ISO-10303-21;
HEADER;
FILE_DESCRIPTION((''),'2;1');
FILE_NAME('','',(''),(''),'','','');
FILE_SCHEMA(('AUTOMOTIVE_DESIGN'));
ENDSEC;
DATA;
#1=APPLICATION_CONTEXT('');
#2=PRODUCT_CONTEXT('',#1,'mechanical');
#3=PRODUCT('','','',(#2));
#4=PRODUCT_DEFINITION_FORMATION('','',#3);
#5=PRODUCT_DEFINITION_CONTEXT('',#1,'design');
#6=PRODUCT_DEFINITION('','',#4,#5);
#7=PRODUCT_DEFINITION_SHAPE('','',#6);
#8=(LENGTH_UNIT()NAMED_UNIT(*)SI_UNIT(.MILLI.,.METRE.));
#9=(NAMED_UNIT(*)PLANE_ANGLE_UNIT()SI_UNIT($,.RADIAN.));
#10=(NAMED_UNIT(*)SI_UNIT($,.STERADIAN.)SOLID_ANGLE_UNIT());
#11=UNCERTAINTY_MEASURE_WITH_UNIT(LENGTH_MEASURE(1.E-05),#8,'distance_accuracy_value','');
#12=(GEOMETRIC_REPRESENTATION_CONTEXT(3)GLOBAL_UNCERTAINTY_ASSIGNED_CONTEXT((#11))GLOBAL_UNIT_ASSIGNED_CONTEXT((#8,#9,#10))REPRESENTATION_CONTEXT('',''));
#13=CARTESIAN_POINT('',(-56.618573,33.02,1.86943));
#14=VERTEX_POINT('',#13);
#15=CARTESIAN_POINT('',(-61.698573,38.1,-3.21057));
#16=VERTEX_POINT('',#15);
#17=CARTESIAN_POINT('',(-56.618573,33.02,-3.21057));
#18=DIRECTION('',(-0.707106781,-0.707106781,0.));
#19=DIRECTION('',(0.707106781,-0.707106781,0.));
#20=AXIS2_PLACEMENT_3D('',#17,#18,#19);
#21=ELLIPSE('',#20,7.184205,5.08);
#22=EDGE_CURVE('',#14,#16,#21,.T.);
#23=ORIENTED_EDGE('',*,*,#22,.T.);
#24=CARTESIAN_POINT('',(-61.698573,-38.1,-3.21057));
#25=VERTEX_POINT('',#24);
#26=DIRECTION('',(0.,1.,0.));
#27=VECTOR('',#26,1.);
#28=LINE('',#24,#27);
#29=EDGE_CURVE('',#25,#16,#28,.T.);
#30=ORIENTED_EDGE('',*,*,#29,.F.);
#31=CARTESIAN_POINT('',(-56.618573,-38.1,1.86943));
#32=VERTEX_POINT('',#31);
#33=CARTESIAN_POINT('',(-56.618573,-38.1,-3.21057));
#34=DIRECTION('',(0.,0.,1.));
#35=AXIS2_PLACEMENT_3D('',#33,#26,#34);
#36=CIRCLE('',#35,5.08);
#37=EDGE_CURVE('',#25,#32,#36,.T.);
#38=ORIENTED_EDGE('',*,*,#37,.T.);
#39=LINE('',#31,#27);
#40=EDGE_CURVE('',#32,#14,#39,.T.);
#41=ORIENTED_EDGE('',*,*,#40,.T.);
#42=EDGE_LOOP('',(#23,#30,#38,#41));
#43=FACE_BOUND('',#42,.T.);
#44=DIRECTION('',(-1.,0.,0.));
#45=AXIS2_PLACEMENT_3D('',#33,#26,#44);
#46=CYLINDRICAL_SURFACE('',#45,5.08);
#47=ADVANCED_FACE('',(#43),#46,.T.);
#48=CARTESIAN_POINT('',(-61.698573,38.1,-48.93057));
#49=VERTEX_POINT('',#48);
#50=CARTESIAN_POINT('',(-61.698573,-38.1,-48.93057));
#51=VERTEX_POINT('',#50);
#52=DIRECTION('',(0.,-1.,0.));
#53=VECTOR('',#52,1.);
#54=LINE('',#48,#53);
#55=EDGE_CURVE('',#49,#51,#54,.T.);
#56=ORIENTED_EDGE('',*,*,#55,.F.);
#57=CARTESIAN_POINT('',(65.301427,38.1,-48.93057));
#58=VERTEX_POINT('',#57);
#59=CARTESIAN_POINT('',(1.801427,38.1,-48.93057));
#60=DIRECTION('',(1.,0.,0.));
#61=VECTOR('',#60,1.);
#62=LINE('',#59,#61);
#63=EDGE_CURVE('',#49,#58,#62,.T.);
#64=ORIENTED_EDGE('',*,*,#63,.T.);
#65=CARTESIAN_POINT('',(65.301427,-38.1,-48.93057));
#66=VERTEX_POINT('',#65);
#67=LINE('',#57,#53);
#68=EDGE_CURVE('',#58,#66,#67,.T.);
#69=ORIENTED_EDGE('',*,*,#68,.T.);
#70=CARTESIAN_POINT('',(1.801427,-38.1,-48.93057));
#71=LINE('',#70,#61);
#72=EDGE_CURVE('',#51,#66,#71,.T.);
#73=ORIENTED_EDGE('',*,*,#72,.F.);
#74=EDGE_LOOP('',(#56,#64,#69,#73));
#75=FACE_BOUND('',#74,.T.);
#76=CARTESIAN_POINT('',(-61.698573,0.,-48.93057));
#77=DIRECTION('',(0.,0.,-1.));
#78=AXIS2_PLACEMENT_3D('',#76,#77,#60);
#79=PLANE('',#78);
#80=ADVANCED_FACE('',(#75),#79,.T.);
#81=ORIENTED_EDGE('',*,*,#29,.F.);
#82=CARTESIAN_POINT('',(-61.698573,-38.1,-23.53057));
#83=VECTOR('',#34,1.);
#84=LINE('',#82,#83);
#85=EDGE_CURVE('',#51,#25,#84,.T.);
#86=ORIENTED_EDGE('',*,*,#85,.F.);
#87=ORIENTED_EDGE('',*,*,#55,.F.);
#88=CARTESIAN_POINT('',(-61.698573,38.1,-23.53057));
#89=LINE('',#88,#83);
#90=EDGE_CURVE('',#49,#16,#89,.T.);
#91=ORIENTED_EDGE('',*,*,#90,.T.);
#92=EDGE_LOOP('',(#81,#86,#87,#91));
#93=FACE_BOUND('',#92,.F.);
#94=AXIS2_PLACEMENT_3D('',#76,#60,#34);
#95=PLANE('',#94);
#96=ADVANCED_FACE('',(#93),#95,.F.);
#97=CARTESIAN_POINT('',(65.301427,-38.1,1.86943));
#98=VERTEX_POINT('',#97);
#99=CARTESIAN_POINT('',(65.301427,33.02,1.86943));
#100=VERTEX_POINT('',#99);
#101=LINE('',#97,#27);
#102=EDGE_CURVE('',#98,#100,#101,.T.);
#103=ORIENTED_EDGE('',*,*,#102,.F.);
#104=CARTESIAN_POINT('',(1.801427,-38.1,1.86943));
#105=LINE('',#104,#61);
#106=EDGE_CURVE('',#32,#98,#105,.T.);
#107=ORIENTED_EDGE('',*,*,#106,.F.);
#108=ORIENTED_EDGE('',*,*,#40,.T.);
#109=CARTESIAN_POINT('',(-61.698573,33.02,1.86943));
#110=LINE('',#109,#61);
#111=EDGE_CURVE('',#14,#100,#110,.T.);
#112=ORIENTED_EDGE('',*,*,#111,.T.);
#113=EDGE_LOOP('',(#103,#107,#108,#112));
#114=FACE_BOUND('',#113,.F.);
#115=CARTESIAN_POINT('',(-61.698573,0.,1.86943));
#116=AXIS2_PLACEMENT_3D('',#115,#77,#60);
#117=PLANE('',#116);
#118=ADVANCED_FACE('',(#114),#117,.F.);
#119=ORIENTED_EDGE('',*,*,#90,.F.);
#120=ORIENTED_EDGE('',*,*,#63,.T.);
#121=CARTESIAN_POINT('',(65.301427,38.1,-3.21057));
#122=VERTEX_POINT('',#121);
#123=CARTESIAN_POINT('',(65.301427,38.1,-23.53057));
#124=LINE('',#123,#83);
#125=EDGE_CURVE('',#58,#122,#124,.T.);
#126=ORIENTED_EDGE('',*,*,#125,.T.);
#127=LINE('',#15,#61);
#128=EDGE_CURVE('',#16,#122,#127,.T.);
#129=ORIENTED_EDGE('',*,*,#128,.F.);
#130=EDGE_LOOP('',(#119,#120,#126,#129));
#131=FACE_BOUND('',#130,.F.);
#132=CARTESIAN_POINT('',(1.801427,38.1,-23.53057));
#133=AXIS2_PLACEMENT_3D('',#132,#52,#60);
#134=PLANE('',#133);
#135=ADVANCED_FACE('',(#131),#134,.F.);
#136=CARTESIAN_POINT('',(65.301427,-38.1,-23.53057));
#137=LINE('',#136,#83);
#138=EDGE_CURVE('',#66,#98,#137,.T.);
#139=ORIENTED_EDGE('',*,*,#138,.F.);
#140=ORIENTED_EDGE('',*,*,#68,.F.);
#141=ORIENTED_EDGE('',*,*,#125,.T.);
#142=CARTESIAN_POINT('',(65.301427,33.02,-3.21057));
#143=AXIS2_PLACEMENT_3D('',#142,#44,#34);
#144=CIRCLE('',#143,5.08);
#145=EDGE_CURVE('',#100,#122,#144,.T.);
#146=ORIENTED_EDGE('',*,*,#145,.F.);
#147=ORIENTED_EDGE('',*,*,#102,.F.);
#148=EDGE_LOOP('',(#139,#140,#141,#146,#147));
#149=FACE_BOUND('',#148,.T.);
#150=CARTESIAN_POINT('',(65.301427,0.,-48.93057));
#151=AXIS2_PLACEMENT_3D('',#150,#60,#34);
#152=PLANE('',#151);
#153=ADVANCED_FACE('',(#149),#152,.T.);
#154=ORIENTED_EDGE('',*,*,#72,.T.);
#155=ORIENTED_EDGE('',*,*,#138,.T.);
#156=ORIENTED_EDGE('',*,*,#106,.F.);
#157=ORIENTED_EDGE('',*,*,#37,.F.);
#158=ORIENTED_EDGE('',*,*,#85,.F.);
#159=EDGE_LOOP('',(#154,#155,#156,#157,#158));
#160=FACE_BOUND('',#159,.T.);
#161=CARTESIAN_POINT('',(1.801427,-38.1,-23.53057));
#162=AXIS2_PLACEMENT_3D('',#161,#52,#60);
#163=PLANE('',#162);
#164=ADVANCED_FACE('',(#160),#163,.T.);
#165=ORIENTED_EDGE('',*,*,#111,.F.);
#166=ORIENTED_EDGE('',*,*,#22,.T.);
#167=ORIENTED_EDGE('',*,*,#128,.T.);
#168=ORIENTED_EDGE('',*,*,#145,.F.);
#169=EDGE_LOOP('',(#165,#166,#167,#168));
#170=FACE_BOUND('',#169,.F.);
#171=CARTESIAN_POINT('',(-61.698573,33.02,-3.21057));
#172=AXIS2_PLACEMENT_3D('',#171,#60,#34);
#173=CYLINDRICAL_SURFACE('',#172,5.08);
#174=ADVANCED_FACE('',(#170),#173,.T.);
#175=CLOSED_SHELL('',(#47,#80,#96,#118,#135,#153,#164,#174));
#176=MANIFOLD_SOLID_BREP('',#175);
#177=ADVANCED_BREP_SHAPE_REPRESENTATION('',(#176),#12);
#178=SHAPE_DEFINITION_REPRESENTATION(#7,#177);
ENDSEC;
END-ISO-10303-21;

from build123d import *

# Parameters (mm, degrees)
F0_W     = 127
F0_H     = 50.8
F1_DEPTH = 38.1
F2_R     = 5.08


with BuildPart() as f1:
    # F0 (on Front) → F1 (new body, symmetric)
    with BuildSketch(Plane.XZ):
        with Locations((1.801427, -23.53057)):
            Rectangle(F0_W, F0_H)
    extrude(amount=F1_DEPTH, both=True)

    # F2
    f2_edges = [f1.edges().sort_by_distance(p)[0] for p in [
        (1.801427, 38.1, 1.86943),
        (-61.698573, 0, 1.86943),
    ]]
    fillet(f2_edges, radius=F2_R)


solid = f1.part
